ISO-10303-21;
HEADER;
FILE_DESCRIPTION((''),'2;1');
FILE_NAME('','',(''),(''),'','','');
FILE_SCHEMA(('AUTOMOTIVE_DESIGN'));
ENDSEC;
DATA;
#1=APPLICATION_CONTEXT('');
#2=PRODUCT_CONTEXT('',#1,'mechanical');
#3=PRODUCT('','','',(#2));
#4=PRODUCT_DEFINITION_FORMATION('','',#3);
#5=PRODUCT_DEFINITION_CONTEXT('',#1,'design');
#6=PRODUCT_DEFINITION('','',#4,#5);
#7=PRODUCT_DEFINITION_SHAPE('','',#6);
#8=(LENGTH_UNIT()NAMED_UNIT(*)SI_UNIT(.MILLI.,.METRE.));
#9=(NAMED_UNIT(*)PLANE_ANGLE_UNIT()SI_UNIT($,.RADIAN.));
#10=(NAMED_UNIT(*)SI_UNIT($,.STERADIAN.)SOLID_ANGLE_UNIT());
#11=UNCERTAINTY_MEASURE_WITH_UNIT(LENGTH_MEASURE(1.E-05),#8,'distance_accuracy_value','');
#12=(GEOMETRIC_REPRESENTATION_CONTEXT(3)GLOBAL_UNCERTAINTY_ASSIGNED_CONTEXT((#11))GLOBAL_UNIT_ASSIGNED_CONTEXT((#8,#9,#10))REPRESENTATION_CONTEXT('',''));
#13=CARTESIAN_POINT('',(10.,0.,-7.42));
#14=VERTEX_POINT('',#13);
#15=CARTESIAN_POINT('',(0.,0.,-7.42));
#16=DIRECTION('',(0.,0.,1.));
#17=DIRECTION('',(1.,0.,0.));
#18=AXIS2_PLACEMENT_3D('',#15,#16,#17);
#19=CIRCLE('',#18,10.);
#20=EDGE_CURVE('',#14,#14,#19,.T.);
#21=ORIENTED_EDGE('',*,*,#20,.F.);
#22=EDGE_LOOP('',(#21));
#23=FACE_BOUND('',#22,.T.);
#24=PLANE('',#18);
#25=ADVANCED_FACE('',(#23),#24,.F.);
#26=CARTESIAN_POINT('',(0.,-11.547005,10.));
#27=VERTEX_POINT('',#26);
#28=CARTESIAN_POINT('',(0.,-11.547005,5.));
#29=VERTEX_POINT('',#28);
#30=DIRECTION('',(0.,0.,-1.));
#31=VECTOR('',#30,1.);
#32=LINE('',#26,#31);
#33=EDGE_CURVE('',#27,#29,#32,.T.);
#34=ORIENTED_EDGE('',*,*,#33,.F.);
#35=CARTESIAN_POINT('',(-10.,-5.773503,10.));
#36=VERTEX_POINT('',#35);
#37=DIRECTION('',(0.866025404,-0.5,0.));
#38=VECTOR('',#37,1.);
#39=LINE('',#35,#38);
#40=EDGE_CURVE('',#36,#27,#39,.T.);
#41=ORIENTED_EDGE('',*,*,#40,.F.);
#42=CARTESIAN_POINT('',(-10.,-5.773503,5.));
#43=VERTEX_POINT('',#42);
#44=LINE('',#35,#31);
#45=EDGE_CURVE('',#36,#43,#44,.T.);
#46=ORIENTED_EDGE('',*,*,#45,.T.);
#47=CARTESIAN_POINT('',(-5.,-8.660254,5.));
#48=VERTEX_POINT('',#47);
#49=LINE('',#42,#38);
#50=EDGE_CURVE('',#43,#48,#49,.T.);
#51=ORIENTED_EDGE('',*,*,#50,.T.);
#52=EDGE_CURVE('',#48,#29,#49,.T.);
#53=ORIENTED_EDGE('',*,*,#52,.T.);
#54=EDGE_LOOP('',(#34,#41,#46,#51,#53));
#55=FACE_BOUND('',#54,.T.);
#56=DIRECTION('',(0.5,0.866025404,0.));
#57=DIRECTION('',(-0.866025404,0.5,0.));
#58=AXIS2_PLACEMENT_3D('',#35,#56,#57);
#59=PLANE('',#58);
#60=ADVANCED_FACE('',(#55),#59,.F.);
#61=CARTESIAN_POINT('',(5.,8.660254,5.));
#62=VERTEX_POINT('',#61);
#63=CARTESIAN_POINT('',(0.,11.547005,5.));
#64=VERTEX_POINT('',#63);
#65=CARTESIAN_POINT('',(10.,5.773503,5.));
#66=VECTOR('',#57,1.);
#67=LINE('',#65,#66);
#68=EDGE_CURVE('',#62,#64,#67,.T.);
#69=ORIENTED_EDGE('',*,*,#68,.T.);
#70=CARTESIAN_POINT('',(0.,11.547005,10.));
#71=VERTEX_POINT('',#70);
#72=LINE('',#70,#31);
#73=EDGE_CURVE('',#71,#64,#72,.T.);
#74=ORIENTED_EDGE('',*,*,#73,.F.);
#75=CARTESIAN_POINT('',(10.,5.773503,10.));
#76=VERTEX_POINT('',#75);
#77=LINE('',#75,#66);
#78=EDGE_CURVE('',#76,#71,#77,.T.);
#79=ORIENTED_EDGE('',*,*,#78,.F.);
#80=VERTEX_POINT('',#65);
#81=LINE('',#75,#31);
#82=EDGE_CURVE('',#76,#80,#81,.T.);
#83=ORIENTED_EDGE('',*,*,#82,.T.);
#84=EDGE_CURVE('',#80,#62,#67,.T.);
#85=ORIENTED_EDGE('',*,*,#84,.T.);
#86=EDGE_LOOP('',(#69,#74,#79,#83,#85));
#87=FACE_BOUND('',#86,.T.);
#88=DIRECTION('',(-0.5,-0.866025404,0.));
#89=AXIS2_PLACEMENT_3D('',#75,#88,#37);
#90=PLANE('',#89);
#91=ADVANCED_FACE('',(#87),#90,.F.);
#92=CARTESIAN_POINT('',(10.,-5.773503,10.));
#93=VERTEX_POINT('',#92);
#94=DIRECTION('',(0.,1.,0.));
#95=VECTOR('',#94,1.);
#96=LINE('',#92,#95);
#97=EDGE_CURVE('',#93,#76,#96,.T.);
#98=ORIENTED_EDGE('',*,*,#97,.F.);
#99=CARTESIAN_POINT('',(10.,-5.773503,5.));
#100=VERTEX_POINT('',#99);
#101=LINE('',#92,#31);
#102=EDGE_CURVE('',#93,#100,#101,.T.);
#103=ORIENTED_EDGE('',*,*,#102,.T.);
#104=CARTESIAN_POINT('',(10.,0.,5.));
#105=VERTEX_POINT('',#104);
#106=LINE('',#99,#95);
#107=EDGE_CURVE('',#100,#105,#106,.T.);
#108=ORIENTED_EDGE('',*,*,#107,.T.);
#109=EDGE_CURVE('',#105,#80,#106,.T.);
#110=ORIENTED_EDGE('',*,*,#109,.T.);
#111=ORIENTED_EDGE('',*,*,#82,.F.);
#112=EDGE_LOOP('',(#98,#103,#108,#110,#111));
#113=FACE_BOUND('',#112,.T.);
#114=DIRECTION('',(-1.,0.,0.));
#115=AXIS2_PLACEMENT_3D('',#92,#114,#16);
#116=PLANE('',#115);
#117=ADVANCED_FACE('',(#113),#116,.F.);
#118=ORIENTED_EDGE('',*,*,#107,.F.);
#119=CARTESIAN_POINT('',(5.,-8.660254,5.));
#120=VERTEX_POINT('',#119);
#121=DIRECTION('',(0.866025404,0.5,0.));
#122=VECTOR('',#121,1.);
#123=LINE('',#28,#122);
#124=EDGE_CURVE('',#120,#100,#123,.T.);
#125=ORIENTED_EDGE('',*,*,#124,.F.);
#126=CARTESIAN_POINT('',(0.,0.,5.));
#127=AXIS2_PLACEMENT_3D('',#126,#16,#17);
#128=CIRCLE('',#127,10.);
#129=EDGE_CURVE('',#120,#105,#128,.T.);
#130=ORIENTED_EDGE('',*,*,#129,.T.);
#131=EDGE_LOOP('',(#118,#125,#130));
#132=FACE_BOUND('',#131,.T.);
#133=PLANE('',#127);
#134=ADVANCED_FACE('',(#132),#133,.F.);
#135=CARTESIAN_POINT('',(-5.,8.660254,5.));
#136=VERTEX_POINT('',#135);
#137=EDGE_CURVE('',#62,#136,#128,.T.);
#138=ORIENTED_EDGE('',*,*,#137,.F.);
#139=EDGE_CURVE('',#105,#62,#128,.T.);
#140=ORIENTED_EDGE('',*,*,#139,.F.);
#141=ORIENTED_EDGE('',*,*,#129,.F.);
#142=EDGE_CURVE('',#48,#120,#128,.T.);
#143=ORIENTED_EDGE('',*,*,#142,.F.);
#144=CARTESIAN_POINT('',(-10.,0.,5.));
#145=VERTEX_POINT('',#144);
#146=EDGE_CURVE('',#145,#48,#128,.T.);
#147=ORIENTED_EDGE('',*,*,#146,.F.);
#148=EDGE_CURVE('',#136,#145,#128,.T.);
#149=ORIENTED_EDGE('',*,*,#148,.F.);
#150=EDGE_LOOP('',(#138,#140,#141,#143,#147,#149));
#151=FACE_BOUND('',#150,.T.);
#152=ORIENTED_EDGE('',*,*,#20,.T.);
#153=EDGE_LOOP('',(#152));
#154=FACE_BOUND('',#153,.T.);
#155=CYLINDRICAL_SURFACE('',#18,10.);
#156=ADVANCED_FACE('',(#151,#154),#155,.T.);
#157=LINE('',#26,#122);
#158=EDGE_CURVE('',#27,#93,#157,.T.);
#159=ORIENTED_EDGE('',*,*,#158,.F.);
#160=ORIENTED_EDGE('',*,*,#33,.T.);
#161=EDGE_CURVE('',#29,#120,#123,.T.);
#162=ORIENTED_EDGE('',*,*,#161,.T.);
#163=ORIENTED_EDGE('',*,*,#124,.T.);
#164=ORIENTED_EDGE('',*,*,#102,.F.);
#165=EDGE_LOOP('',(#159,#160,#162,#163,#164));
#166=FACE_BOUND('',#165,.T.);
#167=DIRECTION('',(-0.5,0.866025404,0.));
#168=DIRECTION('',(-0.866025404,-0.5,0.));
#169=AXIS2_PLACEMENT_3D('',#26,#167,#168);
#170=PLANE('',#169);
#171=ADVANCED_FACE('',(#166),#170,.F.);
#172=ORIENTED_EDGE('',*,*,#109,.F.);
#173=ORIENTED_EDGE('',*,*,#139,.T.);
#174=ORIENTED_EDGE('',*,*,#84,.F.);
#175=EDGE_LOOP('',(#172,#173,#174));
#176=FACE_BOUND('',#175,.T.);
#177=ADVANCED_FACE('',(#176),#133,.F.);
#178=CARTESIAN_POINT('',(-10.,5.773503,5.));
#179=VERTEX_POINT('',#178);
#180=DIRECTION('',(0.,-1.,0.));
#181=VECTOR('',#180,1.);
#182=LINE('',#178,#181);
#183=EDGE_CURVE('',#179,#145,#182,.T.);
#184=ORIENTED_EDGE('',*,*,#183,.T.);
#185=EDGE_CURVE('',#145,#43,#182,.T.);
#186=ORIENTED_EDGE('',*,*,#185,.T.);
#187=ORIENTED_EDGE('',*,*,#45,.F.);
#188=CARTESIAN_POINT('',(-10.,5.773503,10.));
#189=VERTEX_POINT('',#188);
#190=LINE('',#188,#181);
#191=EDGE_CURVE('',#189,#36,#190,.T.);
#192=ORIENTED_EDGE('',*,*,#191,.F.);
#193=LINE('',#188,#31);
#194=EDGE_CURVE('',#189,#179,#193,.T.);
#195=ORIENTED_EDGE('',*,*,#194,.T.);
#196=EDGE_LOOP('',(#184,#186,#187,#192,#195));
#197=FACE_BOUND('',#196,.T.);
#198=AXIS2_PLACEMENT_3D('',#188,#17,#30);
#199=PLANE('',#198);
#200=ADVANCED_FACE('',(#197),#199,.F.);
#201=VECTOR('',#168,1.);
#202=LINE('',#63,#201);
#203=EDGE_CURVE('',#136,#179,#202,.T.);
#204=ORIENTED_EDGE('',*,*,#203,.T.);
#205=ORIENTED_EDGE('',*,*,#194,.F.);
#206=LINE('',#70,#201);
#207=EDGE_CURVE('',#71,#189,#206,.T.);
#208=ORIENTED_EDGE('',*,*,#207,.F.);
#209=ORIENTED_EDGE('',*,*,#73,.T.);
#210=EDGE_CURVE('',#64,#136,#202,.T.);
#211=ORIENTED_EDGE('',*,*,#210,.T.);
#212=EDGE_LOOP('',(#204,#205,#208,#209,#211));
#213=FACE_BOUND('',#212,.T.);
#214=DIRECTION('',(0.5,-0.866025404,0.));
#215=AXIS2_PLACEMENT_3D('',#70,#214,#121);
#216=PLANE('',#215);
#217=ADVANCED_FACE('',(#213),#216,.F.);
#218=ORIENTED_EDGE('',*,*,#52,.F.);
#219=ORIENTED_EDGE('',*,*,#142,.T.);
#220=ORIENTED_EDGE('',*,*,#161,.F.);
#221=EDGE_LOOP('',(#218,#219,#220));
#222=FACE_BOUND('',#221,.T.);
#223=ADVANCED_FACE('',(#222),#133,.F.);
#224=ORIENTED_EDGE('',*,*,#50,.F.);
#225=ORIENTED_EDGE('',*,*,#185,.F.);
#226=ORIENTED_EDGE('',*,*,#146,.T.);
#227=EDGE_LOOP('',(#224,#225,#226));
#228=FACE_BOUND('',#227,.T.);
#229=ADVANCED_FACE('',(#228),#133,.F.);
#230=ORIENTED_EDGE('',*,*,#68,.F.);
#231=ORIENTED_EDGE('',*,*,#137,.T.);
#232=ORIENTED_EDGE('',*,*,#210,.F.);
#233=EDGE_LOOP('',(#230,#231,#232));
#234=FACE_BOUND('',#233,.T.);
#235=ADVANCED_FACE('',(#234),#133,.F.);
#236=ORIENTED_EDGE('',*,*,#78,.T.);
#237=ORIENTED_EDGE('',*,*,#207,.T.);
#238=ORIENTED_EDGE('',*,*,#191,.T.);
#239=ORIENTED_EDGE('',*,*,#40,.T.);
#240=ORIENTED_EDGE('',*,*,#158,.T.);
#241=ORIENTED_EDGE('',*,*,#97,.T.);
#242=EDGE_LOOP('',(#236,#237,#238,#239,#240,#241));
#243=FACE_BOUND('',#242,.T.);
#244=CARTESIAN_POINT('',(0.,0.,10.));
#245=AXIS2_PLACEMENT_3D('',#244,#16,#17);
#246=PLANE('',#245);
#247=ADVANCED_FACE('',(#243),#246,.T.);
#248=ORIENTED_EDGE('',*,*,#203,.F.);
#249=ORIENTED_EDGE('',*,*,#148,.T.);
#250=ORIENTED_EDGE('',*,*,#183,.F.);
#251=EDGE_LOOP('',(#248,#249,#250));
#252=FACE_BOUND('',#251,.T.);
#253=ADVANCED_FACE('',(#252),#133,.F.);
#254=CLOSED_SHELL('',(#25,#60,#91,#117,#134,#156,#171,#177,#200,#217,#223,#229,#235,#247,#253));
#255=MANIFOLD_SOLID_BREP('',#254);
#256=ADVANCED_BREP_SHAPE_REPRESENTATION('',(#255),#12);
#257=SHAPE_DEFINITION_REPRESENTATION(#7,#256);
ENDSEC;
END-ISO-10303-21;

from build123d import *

# Parameters (mm, degrees)
BOSS_EXTRUDE1_DEPTH      = 5
BOSS_EXTRUDE1_DEPTH_BACK = 7.42
SKETCH1_R                = 10
BOSS_EXTRUDE2_DEPTH      = 5


with BuildPart() as part:
    # Sketch1 → Boss-Extrude1 (new, two sides: drawn at the far end of the back side and taken through both)
    with BuildSketch(Plane.XY.offset(-BOSS_EXTRUDE1_DEPTH_BACK)):
        Circle(SKETCH1_R)
    extrude(amount=BOSS_EXTRUDE1_DEPTH + BOSS_EXTRUDE1_DEPTH_BACK)

    # Sketch2 → Boss-Extrude2 (add)
    with BuildSketch(Plane.XY.offset(5)):
        Polygon((0, 11.547005384), (-10, 5.773502692), (-10, -5.773502692), (0, -11.547005384), (10, -5.773502692), (10, 5.773502692), align=None)
    extrude(amount=BOSS_EXTRUDE2_DEPTH)


solid = part.part
